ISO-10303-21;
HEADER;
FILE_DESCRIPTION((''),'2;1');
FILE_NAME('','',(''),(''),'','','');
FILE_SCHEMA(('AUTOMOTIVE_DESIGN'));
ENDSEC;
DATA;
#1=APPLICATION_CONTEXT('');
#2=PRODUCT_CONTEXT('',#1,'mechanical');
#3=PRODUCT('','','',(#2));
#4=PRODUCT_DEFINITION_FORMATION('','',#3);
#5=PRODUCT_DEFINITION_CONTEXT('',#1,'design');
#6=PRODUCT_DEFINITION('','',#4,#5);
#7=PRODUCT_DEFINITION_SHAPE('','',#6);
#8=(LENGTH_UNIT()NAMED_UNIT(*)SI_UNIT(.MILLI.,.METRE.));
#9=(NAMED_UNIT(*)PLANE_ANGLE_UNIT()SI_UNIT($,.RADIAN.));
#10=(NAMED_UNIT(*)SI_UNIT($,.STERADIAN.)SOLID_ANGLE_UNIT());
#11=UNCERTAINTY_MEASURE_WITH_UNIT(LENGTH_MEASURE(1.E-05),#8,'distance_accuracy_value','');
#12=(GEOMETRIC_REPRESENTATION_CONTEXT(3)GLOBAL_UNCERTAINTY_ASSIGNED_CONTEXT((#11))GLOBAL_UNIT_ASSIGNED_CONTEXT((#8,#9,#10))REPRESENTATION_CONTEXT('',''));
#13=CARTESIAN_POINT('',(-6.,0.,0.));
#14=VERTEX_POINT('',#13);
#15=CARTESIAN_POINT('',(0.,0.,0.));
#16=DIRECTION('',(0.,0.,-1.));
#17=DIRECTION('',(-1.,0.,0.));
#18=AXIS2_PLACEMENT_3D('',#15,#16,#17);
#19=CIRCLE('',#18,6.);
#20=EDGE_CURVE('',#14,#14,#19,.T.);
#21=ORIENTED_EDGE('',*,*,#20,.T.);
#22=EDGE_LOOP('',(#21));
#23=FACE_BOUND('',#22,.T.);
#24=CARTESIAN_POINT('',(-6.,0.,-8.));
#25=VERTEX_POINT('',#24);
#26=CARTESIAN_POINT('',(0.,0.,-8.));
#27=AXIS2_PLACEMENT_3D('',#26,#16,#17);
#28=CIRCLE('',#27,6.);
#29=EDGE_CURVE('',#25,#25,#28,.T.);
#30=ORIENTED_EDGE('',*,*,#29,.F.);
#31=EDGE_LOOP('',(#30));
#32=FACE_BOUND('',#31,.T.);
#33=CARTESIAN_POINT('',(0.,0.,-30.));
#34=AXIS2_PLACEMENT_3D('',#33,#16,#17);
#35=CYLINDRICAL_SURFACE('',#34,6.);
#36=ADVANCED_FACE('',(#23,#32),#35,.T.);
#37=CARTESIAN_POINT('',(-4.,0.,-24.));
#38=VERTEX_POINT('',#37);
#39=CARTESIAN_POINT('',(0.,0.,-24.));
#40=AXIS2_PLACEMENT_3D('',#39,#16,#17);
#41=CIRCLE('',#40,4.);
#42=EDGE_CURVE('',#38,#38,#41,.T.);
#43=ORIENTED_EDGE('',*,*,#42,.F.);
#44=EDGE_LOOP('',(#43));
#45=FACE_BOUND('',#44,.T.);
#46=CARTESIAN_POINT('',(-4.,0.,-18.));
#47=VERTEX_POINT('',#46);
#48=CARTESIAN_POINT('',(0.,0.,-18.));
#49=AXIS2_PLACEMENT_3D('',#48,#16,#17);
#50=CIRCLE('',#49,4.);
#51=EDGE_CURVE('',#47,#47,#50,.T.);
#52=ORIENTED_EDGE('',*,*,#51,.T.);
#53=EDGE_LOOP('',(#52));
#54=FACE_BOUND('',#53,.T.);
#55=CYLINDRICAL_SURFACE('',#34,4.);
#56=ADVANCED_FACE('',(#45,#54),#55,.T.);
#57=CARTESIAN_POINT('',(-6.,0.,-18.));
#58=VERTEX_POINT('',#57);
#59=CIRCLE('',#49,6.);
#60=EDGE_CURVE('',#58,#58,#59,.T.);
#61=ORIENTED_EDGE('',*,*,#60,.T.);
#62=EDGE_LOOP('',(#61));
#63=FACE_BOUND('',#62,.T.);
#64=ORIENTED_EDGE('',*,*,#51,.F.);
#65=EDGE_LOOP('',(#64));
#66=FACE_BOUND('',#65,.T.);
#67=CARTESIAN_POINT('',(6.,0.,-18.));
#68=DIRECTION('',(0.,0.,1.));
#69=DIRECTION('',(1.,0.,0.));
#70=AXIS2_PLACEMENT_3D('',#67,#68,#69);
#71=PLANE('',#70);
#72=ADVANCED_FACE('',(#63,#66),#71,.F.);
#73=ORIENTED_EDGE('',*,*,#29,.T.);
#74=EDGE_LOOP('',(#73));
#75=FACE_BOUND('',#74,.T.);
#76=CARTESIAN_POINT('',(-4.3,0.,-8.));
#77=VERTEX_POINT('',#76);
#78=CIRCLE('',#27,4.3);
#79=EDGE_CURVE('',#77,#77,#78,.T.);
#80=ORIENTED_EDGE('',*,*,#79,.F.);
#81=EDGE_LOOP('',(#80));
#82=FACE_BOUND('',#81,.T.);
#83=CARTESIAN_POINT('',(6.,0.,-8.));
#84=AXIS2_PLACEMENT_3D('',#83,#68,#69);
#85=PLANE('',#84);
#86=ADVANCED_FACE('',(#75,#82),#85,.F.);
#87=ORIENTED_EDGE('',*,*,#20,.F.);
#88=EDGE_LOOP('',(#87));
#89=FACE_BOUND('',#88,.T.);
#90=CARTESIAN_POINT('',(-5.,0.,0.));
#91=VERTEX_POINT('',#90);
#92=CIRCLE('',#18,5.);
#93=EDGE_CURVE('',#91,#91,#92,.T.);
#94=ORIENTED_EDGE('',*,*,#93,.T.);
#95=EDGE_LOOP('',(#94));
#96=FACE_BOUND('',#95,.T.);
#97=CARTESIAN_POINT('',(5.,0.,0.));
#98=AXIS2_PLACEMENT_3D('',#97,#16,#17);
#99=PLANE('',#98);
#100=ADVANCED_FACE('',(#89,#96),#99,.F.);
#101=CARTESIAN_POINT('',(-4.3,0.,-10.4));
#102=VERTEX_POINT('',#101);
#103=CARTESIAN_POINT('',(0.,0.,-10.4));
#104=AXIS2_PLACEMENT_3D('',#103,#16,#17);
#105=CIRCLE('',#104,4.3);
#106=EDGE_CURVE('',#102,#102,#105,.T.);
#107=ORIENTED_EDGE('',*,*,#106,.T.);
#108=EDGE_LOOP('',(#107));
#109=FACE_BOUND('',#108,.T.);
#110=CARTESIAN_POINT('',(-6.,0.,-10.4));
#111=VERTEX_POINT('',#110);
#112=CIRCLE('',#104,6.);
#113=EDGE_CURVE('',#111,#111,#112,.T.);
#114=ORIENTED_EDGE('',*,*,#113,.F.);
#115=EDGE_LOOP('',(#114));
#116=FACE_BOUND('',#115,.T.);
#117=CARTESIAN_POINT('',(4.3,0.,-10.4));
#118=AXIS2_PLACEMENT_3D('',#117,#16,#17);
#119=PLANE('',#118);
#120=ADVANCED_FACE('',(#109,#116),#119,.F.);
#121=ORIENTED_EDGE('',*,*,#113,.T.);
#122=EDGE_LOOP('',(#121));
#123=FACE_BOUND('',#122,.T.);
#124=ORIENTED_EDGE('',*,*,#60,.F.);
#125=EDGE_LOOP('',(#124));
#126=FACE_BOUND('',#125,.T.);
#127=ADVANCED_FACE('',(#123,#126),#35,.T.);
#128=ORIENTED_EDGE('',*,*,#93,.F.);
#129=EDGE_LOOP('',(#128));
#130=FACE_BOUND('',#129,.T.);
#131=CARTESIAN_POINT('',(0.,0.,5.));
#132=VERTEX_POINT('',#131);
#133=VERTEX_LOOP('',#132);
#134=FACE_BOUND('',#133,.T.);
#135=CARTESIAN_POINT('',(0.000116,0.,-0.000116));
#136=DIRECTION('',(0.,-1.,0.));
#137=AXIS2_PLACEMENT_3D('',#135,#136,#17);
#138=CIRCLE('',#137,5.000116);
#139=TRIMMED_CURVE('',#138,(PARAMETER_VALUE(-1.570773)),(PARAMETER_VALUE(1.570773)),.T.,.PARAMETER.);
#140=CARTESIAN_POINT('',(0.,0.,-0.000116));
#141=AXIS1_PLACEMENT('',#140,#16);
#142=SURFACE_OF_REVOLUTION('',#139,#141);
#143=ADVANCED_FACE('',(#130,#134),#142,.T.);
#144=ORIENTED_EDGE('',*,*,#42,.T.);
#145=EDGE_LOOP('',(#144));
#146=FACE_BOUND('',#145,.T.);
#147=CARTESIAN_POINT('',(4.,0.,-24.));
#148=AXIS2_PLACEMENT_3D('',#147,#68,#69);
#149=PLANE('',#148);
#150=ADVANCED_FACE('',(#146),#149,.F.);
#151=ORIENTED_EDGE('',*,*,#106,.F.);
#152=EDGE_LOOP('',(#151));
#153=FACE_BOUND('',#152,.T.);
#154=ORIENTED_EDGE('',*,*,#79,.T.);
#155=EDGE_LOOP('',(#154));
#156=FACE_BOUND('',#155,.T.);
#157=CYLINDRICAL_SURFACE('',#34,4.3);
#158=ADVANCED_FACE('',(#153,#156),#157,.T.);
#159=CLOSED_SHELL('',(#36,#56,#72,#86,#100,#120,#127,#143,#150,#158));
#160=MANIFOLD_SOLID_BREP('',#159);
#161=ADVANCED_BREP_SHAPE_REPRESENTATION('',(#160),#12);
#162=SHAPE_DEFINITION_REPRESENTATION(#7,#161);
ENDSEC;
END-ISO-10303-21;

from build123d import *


with BuildPart() as part:
    # 草图1 → 旋转1 (revolve)
    with BuildSketch(Plane(origin=(0, 0, 0), x_dir=(1, 0, 0), z_dir=(0, 1, 0)), mode=Mode.PRIVATE) as revolve_1_sk:
        with BuildLine():
            Line((5, 0), (6, 0))
            Line((6, 0), (6, 8))
            Line((6, 8), (4.3, 8))
            Line((4.3, 8), (4.3, 10.4))
            Line((4.3, 10.4), (6, 10.4))
            Line((6, 10.4), (6, 18))
            Line((6, 18), (4, 18))
            Line((4, 18), (4, 24))
            Line((4, 24), (0, 24))
            Line((0, 24), (0, -5))
            ThreePointArc((0, -5), (3.5355, -3.5355), (5, 0))
        make_face()
    revolve(revolve_1_sk.sketch.rotate(Axis((0, 0, -30), (0, 0, 1)), 180), axis=Axis((0, 0, -30), (0, 0, 1)))


solid = part.part
